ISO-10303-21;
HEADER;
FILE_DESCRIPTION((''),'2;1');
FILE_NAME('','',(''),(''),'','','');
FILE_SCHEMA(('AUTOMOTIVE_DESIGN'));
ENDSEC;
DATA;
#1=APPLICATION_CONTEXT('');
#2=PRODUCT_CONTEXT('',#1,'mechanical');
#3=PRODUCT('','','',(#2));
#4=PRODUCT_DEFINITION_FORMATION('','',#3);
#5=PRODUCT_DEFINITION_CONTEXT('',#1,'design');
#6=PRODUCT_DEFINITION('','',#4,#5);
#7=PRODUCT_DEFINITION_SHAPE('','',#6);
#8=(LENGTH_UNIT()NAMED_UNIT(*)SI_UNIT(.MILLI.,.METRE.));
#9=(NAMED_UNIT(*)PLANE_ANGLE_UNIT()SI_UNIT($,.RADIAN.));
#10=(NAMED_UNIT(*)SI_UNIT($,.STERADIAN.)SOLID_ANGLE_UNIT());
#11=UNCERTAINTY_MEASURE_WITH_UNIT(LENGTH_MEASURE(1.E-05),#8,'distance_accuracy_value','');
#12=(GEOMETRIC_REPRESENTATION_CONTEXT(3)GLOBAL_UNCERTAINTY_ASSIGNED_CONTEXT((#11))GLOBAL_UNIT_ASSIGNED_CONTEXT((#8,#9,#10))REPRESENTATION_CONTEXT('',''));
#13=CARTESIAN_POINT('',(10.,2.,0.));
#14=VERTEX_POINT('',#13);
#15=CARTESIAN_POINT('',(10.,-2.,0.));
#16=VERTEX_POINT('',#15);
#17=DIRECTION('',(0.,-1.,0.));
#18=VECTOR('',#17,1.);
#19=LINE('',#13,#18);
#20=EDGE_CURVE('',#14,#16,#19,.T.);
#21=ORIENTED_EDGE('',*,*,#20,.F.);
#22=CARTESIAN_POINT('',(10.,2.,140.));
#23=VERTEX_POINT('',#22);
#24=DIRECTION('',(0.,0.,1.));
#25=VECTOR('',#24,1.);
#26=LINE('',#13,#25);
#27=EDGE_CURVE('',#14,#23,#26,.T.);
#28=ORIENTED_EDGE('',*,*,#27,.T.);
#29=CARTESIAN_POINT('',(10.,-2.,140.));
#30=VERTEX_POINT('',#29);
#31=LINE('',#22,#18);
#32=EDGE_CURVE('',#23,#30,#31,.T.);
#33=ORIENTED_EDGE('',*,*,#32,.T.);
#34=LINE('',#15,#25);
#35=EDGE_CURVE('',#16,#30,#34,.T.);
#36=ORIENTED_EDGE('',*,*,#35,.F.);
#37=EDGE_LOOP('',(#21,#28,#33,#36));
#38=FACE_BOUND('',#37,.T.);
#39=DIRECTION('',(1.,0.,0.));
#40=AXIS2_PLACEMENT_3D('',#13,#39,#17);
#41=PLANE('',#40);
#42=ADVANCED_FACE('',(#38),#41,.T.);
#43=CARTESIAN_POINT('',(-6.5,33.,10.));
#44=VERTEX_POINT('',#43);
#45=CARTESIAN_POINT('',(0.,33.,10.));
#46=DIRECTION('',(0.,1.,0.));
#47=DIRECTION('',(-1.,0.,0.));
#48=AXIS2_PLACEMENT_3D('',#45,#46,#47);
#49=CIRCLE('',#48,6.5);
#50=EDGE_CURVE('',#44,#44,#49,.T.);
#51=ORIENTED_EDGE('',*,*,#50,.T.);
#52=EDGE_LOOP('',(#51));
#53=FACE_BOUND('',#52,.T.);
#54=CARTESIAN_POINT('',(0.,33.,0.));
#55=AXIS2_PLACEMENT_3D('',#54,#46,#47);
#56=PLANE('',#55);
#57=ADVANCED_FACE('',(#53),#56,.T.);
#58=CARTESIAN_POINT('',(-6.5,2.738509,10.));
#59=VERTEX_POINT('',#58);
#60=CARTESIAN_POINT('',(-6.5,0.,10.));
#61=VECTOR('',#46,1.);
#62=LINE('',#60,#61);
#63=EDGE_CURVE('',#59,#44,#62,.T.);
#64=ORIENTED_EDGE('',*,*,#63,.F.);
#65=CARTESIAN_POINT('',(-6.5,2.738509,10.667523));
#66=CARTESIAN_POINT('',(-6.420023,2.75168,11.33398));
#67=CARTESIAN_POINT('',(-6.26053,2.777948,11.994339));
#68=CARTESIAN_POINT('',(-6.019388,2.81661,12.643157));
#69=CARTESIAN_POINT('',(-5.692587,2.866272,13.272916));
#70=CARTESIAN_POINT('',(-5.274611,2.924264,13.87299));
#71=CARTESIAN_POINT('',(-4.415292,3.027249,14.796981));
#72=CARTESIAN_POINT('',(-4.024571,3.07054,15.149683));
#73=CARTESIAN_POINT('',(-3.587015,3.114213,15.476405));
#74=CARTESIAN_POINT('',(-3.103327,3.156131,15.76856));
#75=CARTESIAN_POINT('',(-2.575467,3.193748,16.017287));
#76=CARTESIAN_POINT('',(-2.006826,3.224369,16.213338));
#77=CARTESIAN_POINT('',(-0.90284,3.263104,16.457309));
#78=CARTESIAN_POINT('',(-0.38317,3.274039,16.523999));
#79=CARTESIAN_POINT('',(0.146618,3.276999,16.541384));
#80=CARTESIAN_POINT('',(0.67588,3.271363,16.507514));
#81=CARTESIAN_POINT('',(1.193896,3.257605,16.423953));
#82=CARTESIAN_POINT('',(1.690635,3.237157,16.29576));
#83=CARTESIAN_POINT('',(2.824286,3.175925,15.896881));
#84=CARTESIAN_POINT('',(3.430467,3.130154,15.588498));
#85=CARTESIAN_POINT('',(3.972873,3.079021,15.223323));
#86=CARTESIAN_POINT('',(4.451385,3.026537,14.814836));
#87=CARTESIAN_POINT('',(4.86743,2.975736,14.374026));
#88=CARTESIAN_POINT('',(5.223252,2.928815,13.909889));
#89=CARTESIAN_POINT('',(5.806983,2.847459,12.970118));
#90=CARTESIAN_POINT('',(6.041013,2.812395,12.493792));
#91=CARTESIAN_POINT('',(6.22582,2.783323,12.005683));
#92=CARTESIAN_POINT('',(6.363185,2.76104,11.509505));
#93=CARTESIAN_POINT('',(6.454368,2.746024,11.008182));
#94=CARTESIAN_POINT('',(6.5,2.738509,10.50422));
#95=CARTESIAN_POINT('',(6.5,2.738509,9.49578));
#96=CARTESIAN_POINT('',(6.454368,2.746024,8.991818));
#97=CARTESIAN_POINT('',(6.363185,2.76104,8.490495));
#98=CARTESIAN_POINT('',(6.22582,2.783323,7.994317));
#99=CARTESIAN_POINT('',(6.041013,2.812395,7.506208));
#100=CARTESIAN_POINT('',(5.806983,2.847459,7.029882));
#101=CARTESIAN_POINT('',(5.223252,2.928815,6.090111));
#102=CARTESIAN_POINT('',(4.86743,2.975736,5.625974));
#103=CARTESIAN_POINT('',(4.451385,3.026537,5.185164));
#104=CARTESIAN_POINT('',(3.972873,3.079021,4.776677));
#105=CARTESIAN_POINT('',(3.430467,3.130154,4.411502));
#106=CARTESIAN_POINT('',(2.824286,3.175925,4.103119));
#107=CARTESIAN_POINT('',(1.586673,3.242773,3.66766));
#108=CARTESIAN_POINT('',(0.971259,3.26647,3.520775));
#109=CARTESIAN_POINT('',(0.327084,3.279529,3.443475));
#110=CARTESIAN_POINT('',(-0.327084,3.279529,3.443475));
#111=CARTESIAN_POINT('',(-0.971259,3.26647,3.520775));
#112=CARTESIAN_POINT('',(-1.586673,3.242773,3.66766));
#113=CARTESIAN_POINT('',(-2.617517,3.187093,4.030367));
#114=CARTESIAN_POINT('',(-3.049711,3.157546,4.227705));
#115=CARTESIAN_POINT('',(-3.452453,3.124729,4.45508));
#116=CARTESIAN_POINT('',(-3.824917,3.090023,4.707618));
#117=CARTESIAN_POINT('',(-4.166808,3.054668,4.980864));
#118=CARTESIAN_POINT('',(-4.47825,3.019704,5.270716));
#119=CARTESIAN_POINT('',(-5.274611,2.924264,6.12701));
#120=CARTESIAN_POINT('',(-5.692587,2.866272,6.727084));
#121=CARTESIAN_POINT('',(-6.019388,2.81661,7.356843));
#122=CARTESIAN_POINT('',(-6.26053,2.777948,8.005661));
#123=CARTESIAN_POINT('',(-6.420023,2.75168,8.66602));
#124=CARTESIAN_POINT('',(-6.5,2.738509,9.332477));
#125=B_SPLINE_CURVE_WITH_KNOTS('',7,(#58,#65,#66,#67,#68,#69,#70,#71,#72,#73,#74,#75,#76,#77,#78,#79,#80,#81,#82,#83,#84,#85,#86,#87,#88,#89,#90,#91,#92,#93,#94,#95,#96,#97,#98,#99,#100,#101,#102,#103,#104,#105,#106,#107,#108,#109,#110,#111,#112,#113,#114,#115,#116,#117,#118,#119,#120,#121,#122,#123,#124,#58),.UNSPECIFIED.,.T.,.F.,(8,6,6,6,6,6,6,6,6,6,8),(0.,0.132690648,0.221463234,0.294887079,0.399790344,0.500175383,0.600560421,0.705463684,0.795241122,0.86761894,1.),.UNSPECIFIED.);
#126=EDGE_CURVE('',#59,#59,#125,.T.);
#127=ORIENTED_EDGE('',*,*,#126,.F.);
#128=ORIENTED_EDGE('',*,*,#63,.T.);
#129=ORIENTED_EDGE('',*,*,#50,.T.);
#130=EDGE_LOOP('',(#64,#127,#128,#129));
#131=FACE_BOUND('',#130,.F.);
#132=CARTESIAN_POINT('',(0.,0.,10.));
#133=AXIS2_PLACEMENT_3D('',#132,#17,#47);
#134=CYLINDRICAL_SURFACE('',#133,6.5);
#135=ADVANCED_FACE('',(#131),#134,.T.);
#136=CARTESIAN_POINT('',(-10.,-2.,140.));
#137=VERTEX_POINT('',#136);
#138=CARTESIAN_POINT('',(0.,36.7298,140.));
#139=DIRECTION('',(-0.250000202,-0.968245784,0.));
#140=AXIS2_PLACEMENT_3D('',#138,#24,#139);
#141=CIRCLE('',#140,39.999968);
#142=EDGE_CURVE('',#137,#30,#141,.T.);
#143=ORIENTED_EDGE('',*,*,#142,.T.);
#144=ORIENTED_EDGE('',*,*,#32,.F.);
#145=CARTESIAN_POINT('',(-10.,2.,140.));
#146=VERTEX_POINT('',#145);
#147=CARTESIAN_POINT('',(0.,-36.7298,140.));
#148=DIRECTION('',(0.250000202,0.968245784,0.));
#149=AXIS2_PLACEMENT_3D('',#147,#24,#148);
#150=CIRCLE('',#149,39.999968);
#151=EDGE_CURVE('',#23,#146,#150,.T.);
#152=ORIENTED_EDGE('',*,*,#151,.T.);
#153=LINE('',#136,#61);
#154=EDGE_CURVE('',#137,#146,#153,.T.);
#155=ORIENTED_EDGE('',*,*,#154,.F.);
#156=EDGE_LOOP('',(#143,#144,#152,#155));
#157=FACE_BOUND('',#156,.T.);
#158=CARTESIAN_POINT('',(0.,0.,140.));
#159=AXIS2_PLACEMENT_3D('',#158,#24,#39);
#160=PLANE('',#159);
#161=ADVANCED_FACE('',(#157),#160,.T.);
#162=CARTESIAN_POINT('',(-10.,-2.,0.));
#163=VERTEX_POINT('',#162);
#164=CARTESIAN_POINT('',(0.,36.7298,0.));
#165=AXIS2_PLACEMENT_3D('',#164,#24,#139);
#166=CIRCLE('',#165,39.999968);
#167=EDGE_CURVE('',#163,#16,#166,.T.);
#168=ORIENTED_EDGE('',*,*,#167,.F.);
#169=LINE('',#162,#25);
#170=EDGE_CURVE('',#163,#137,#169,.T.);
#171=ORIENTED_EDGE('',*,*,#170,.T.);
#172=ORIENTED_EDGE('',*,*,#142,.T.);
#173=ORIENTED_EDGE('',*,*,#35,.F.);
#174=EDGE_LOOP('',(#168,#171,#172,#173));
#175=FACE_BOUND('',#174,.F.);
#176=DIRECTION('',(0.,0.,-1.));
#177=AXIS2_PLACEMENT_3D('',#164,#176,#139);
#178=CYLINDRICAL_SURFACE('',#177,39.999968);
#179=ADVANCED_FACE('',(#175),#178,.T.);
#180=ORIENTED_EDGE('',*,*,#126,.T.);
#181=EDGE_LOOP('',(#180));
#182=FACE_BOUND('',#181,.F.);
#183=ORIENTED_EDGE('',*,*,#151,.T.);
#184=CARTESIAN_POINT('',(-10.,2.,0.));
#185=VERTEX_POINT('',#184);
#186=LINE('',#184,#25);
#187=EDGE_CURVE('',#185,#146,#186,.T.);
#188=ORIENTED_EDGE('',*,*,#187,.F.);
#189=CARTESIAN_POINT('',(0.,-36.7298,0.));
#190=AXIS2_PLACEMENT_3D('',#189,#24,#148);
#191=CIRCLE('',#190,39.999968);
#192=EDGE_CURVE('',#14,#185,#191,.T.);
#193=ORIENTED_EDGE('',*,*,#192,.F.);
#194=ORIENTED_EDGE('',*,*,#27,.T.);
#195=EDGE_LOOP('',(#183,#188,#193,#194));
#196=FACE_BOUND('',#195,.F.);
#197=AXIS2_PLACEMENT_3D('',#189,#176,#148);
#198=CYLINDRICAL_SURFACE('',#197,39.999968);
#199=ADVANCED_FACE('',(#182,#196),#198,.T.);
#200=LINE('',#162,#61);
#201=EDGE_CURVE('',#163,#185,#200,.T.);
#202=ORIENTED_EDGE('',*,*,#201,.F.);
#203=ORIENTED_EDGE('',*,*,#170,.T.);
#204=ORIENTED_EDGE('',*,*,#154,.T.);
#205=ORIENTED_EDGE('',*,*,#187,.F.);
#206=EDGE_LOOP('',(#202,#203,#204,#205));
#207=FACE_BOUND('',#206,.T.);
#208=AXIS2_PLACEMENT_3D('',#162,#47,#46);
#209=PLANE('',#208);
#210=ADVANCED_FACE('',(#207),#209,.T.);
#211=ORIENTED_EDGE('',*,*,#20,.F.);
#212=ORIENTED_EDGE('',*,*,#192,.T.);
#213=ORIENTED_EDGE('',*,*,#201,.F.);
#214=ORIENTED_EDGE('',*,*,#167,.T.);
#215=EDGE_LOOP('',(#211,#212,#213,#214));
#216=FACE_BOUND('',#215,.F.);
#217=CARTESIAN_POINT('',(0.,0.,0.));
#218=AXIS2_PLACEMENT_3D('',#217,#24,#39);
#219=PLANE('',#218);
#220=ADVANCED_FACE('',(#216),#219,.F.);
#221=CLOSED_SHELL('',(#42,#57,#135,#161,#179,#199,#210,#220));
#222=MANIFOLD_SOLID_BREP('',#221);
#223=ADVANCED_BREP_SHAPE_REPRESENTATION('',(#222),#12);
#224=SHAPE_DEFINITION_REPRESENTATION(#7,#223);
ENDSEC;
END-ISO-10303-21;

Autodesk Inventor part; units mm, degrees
sketch "Sketch2" plane through (0, 0, 0) normal (0, 0, 1) x (1, 0, 0)
  line L0 (10, -2) -> (-10, -2)
  line L1 (-10, -2) -> (-10, 2)
  line L2 (-10, 2) -> (10, 2)
  line L3 (10, 2) -> (10, -2)
  line L4 (10, -2) -> (-10, 2) construction
  line L5 (-10, -2) -> (10, 2) construction
  arc A0 (10, 2) -> (-10, 2) centre (0, -36.7298) ccw
  arc A1 (-10, -2) -> (10, -2) centre (0, 36.7298) ccw
  point P0 (0, 0)
  dimension "d0" = 20
  dimension "d1" = 4
  dimension "d2" = 40
  dimension "d3" = 40
extrude "Extrusion1" add sketch "Sketch2" along normal blind 140
sketch "Sketch3" plane through (0, 0, 0) normal (0, 1, 0) x (-1, 0, 0)
  circle A0 centre (0, 10) radius 6.5
  line L0 (0, -28) -> (0, 168) construction
  line L1 (14, 0) -> (-14, 0) construction
  point P0 (0, 0)
  dimension "d6" = 13
  dimension "d7" = 10
extrude "Extrusion2" add sketch "Sketch3" along normal blind 33
properties part number "P032_Antenne"
